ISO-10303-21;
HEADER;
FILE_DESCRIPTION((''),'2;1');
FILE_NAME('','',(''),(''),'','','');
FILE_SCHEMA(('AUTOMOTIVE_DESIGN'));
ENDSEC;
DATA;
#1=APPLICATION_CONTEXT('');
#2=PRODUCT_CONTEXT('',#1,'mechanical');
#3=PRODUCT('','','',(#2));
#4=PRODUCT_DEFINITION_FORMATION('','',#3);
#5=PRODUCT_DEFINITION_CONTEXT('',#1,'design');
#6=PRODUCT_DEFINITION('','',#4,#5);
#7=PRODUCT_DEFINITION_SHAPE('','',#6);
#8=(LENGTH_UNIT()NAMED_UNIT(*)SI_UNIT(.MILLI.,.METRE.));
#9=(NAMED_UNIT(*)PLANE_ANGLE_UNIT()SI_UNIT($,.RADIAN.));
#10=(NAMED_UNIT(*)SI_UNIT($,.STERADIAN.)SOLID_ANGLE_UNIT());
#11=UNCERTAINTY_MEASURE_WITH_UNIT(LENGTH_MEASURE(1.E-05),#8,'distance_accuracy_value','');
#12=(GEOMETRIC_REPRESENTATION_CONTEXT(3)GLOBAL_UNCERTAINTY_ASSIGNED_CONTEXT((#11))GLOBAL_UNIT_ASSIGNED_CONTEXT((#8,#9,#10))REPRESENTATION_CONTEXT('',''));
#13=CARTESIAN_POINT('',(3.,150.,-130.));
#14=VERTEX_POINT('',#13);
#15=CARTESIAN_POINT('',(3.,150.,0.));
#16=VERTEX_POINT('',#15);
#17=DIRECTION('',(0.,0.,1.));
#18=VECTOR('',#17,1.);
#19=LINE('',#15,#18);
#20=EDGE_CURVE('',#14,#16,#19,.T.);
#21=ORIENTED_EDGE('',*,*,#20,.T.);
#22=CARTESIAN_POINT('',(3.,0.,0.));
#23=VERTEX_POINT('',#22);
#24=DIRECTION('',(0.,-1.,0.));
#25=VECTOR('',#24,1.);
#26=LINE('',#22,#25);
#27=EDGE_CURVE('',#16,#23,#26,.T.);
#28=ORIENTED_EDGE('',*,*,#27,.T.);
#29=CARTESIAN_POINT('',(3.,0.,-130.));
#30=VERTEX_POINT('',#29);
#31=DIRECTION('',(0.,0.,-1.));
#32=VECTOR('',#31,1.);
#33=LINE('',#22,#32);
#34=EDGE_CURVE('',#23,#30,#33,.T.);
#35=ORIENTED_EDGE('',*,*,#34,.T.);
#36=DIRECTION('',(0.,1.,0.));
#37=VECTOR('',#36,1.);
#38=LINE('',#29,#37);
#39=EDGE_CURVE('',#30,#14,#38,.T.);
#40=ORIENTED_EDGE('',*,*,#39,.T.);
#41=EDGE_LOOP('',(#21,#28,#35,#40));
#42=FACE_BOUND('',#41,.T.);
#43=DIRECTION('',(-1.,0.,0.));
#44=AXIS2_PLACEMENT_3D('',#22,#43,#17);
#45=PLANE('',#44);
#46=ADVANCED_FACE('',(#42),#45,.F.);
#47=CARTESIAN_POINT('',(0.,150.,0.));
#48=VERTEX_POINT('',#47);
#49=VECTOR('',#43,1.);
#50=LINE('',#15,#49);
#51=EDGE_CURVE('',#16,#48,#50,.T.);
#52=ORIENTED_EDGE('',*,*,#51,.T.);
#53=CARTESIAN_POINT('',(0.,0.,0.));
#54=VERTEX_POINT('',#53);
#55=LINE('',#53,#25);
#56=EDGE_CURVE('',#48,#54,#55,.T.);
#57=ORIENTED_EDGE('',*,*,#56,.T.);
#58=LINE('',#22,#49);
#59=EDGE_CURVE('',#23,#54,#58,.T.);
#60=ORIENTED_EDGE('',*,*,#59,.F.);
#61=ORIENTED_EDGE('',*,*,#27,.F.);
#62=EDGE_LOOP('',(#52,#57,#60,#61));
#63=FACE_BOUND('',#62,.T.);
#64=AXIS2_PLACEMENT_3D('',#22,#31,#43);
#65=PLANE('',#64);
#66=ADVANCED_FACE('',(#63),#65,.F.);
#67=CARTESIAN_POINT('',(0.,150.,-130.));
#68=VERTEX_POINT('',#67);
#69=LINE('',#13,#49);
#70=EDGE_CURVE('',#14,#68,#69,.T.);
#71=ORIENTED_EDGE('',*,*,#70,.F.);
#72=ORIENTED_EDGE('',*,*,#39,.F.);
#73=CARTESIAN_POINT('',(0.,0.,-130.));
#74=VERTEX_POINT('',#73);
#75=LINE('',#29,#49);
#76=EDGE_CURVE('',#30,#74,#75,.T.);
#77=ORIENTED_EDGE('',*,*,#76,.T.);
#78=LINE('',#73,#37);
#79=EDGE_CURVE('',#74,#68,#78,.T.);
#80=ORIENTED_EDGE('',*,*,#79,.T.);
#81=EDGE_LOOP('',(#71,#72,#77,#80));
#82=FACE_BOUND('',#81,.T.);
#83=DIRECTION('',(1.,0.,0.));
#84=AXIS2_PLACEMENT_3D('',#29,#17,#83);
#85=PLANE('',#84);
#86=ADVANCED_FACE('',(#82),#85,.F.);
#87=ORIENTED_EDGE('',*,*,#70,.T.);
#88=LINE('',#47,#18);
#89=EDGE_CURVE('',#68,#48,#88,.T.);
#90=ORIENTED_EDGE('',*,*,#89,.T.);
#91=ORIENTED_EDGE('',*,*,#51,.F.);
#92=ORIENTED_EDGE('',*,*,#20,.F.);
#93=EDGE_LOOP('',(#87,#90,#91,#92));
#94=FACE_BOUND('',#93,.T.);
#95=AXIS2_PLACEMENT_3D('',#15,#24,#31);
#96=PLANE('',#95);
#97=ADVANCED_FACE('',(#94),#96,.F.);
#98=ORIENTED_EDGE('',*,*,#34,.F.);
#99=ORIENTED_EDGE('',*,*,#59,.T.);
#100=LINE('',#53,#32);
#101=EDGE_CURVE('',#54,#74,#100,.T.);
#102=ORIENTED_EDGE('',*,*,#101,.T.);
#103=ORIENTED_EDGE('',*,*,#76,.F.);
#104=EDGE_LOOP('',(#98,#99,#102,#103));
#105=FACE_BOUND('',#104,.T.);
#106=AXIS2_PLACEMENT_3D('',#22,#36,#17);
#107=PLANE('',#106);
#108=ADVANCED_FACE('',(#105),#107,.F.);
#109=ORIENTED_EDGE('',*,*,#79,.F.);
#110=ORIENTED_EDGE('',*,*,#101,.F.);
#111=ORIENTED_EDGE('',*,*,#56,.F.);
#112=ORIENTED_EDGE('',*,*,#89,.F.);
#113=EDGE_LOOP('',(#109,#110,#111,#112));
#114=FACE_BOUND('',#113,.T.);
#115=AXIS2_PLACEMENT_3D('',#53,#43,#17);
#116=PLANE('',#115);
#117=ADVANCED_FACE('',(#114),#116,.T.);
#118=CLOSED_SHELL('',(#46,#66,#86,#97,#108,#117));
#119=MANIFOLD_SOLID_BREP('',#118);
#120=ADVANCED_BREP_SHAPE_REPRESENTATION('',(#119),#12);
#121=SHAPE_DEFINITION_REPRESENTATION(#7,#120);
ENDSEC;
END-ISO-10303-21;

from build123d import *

# Parameters (mm, degrees)
SKETCH1_W           = 130
SKETCH1_H           = 150
BOSS_EXTRUDE1_DEPTH = 3


with BuildPart() as part:
    # Sketch1 → Boss-Extrude1 (new body)
    with BuildSketch(Plane(origin=(0, 0, 0), x_dir=(0, 0, -1), z_dir=(1, 0, 0))):
        with Locations((65, 75)):
            Rectangle(SKETCH1_W, SKETCH1_H)
    extrude(amount=BOSS_EXTRUDE1_DEPTH)


solid = part.part
